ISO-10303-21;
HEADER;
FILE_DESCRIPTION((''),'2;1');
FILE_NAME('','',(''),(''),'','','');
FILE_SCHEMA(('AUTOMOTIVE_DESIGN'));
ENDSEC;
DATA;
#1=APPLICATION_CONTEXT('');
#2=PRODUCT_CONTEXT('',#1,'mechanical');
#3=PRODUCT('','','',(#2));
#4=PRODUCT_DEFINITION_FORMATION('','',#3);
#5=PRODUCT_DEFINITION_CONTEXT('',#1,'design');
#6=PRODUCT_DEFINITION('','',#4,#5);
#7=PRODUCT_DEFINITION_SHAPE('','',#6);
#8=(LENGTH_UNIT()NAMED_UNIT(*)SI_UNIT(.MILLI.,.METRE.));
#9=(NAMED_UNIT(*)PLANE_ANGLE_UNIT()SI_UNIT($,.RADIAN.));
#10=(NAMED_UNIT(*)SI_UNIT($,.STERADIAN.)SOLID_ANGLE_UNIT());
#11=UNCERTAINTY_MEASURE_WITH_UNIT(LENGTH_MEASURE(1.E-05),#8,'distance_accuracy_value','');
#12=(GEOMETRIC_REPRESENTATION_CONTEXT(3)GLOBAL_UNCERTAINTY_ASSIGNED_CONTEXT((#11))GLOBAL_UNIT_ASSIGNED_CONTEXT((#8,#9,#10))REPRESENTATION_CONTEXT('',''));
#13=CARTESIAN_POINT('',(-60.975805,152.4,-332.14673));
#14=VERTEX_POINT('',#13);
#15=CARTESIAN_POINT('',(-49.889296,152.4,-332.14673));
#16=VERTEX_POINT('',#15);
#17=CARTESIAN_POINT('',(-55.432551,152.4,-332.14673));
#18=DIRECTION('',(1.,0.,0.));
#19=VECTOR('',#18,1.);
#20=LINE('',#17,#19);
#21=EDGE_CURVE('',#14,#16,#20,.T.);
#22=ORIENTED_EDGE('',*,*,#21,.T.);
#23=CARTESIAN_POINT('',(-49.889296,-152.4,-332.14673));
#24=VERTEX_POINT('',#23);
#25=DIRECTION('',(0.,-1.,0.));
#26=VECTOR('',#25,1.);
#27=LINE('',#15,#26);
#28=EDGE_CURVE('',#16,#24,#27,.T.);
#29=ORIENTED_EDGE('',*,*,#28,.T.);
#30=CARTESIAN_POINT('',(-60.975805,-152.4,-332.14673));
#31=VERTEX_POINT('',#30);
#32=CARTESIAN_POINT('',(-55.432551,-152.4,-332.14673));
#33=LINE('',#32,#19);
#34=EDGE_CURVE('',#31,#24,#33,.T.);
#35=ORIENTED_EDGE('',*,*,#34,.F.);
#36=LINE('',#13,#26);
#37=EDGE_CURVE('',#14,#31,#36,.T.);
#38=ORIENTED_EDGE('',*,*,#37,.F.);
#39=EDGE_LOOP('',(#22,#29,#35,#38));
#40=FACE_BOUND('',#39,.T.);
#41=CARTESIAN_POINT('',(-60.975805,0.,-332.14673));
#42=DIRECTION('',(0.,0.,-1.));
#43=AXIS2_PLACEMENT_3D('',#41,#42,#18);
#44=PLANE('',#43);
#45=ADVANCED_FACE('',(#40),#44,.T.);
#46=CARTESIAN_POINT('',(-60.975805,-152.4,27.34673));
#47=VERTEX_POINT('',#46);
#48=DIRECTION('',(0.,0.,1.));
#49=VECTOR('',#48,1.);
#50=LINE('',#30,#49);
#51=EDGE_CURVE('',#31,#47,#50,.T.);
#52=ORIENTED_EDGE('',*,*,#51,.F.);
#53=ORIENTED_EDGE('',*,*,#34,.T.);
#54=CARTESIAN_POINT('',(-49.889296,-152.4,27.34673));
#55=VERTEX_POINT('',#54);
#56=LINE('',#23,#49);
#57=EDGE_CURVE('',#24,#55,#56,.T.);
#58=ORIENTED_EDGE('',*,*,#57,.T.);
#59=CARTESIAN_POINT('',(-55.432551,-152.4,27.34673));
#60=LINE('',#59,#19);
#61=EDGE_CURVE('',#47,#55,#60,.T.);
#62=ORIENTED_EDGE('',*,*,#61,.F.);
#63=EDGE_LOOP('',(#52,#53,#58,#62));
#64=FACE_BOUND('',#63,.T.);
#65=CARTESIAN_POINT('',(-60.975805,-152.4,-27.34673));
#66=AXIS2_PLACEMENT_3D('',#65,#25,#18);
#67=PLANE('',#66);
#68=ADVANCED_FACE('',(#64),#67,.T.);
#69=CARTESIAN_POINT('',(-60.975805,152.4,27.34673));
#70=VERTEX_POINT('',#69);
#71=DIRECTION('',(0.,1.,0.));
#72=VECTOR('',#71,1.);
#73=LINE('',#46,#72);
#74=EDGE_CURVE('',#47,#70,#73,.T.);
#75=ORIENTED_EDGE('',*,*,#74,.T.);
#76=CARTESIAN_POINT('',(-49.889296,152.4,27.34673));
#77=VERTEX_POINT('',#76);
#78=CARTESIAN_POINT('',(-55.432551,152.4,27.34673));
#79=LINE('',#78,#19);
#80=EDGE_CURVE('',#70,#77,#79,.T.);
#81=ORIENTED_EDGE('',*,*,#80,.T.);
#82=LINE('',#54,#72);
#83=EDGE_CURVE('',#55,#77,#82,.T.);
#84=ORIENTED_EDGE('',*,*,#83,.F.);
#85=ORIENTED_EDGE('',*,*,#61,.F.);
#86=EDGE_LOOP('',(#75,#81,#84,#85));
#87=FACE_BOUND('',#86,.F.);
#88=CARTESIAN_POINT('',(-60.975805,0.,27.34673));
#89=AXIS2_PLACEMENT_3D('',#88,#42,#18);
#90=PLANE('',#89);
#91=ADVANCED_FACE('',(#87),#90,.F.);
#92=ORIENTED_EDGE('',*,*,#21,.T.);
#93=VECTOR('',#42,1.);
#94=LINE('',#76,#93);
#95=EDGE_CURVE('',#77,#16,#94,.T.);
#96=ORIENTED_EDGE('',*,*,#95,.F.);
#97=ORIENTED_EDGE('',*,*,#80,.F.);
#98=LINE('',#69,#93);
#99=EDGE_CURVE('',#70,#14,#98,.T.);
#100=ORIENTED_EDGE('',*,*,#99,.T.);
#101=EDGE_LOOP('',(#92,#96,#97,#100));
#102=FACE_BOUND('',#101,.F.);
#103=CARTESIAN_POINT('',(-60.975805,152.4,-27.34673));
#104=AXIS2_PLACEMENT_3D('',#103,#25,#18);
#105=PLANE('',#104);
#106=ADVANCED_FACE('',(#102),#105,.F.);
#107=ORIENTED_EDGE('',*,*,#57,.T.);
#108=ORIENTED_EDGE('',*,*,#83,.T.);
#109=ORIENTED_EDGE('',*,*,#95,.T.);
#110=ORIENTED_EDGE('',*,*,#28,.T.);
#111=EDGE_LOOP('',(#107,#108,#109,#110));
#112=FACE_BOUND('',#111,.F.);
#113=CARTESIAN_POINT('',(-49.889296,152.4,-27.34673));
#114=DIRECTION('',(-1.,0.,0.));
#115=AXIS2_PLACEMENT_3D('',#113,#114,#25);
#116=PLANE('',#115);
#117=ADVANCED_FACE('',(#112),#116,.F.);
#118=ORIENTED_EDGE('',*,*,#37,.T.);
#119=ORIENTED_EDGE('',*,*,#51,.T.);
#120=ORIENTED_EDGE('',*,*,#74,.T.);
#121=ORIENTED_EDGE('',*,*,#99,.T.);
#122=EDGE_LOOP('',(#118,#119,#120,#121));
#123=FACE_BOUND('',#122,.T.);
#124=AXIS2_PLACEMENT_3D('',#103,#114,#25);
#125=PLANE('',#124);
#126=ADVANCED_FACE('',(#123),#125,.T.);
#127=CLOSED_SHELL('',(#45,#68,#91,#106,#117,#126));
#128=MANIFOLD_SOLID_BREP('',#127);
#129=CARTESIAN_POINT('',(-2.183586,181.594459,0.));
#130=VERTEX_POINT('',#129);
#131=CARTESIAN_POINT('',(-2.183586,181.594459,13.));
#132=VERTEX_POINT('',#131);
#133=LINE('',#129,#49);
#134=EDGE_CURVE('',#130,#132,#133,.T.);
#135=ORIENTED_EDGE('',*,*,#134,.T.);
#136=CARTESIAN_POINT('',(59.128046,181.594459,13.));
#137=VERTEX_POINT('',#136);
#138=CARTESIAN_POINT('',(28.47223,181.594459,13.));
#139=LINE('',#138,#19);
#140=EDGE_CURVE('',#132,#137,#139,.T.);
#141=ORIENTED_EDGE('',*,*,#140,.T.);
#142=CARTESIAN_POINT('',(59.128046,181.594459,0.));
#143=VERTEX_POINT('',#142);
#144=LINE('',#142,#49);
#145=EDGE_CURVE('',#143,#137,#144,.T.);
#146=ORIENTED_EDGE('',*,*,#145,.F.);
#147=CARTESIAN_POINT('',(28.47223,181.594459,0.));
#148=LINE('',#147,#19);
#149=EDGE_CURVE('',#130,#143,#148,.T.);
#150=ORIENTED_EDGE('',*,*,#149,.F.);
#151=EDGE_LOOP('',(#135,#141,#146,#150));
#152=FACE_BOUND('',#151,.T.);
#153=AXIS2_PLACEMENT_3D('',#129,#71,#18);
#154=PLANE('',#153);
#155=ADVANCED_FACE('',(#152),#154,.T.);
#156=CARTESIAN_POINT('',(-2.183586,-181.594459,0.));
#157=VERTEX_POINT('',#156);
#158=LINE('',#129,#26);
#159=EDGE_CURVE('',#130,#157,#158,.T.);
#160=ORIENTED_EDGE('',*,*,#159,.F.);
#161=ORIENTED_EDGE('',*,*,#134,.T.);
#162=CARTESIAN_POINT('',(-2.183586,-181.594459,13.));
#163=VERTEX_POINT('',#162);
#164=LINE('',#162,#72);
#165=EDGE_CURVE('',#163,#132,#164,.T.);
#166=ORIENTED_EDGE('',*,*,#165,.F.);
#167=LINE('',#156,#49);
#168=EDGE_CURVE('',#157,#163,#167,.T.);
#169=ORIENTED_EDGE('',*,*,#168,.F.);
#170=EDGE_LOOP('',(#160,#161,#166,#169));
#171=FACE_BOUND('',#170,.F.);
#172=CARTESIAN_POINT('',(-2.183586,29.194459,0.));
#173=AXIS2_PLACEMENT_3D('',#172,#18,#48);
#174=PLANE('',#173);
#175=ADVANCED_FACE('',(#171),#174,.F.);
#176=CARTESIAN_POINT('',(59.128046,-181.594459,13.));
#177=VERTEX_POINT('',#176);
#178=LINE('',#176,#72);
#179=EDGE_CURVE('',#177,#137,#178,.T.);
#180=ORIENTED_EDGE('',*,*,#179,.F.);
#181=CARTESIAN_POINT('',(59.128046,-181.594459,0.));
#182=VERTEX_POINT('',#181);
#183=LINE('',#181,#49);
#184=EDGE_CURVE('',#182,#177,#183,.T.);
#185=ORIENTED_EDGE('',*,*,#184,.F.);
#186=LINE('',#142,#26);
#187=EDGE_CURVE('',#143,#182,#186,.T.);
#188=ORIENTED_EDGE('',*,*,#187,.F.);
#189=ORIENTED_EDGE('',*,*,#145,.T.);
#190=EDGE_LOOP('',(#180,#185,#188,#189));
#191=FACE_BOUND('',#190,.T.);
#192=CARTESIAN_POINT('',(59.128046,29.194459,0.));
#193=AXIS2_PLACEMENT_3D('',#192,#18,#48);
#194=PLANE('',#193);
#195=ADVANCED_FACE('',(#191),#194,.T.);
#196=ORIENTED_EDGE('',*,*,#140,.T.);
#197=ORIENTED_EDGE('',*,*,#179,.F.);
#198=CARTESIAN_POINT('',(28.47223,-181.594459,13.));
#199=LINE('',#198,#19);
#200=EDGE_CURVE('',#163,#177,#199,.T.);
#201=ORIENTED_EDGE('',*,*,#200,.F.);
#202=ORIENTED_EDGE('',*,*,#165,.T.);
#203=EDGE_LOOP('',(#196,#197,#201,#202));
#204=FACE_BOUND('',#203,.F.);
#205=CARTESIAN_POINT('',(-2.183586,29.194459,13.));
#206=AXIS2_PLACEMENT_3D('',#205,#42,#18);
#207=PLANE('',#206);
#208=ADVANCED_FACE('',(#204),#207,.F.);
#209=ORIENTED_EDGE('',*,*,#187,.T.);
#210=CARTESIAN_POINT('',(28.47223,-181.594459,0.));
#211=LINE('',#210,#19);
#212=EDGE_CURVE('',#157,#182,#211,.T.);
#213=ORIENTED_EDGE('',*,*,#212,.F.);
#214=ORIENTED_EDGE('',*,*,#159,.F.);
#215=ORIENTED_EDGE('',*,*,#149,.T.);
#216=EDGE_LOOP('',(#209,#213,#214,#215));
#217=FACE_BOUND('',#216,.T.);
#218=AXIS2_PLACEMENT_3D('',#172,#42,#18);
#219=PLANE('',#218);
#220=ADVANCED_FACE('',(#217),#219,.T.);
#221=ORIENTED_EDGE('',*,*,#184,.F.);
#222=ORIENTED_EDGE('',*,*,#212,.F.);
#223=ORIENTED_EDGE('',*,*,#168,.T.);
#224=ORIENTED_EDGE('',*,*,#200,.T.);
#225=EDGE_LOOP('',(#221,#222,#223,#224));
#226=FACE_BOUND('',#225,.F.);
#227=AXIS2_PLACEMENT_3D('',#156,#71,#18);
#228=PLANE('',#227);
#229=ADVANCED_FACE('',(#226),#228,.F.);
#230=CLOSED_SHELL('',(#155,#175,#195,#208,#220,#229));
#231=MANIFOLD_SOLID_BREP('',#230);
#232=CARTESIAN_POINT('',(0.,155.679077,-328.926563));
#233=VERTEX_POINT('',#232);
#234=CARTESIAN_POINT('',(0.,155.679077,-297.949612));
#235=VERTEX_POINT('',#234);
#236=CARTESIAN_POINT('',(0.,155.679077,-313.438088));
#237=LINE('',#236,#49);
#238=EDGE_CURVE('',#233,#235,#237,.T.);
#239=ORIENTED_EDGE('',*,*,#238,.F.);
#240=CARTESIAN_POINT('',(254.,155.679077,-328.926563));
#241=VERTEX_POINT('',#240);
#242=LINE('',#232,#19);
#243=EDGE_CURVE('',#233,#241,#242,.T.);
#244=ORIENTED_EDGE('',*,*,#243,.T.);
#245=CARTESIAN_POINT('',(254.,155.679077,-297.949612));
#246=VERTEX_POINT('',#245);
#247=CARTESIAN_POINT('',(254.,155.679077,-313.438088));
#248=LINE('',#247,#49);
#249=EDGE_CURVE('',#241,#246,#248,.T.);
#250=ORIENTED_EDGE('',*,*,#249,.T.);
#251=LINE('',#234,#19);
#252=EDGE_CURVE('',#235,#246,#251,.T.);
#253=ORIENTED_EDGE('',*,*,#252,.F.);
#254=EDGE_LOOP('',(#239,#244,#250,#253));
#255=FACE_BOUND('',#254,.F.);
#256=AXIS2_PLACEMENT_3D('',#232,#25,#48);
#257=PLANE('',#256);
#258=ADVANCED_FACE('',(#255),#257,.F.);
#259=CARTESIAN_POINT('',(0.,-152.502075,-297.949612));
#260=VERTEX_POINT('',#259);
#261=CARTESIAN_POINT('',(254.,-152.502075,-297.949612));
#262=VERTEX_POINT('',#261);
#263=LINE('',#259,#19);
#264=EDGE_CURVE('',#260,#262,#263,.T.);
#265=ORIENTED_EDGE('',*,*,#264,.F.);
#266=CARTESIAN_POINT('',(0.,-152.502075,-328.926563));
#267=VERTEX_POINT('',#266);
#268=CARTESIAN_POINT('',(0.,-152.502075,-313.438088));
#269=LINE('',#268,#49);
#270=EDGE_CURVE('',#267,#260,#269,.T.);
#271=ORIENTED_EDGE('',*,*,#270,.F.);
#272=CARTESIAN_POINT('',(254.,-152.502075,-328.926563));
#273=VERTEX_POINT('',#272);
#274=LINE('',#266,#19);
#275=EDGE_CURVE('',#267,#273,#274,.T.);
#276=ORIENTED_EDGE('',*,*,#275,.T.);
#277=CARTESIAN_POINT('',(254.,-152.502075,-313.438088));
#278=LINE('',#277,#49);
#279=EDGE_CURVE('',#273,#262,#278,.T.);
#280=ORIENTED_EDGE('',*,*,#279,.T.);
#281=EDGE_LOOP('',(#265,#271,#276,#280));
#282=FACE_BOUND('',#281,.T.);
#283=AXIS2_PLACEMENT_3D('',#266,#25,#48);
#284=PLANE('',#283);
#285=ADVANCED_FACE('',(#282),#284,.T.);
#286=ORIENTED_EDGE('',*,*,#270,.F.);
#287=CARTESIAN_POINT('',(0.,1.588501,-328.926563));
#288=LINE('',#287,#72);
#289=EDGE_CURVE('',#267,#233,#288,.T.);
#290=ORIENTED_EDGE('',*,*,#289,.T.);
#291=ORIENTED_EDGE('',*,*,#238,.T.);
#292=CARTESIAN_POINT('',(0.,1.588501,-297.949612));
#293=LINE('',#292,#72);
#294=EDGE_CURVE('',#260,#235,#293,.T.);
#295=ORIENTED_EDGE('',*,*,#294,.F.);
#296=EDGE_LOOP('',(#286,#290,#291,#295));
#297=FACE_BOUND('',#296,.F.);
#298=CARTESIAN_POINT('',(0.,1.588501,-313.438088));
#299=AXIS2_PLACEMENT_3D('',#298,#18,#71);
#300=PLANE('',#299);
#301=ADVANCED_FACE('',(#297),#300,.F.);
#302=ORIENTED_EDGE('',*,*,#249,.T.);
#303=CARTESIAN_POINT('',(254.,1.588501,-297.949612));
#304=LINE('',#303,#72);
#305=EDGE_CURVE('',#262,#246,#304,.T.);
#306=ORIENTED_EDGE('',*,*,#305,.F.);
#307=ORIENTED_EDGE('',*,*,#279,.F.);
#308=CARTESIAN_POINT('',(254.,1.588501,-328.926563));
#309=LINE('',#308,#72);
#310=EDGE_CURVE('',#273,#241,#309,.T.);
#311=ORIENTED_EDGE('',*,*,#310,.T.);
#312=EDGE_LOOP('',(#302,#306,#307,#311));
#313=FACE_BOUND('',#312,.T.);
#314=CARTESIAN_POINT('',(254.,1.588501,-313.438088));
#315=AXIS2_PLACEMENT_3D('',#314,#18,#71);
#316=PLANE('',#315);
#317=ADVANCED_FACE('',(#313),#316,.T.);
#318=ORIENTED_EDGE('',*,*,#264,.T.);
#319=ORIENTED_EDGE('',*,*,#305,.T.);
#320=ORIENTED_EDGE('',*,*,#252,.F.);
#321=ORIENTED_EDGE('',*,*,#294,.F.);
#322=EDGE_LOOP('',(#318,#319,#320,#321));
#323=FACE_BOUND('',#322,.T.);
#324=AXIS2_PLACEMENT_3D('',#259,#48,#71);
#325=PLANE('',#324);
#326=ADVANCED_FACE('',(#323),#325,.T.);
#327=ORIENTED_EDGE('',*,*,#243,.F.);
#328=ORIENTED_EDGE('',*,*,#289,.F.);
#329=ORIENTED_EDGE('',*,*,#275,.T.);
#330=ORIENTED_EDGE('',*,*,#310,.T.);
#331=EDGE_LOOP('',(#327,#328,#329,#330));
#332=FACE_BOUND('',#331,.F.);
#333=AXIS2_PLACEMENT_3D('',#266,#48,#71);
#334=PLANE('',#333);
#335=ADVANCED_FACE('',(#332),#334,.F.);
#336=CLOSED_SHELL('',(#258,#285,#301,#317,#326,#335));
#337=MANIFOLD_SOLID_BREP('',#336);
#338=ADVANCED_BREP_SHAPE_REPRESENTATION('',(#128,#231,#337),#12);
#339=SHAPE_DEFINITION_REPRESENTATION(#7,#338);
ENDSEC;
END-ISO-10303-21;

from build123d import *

# Parameters (mm, degrees)
F0_W      = 61.3116323948
F0_H      = 58.3889186382
F1_DEPTH  = 13
F2_W      = 11.0865086317
F2_H      = 54.6934604645
F3_DEPTH  = 152.4
F4_DEPTH  = 152.4
F5_DEPTH  = 152.4
F6_DEPTH  = 152.4
F7_DEPTH  = 304.8
F9_W      = 308.1811517477
F9_H      = 30.9769511223
F10_DEPTH = 254


with BuildPart() as f1:
    # F0 (on Top) → F1 (new body)
    with BuildSketch(Plane.XY):
        with Locations((28.4722298384, 0)):
            Rectangle(F0_W, F0_H)
    extrude(amount=F1_DEPTH)

    # F5 (add): a face of the model
    f5_faces = [f1.faces().sort_by_distance(p)[0] for p in [
        (28.4722298384, -29.1944593191, 6.5),
    ]]
    extrude(f5_faces, amount=F5_DEPTH)

    # F6 (add): a face of the model
    f6_faces = [f1.faces().sort_by_distance(p)[0] for p in [
        (28.4722298384, 29.1944593191, 6.5),
    ]]
    extrude(f6_faces, amount=F6_DEPTH)


with BuildPart() as f3:
    # F2 (on Front) → F3 (new body)
    with BuildSketch(Plane.XZ):
        with Locations((-55.4325506091, 0)):
            Rectangle(F2_W, F2_H)
    extrude(amount=F3_DEPTH)

    # F4 (add): a face of the model
    f4_faces = [f3.faces().sort_by_distance(p)[0] for p in [
        (-55.4325506091, 0, 0),
    ]]
    extrude(f4_faces, amount=F4_DEPTH)

    # F7 (add): a face of the model
    f7_faces = [f3.faces().sort_by_distance(p)[0] for p in [
        (-55.4325506091, 0, -27.3467302322),
    ]]
    extrude(f7_faces, amount=F7_DEPTH)


with BuildPart() as f10:
    # F9 (on Right) → F10 (new body)
    with BuildSketch(Plane.YZ):
        with Locations((1.5885010362, -313.4380877018)):
            Rectangle(F9_W, F9_H)
    extrude(amount=F10_DEPTH)


solid = Compound([f1.part, f3.part, f10.part])
